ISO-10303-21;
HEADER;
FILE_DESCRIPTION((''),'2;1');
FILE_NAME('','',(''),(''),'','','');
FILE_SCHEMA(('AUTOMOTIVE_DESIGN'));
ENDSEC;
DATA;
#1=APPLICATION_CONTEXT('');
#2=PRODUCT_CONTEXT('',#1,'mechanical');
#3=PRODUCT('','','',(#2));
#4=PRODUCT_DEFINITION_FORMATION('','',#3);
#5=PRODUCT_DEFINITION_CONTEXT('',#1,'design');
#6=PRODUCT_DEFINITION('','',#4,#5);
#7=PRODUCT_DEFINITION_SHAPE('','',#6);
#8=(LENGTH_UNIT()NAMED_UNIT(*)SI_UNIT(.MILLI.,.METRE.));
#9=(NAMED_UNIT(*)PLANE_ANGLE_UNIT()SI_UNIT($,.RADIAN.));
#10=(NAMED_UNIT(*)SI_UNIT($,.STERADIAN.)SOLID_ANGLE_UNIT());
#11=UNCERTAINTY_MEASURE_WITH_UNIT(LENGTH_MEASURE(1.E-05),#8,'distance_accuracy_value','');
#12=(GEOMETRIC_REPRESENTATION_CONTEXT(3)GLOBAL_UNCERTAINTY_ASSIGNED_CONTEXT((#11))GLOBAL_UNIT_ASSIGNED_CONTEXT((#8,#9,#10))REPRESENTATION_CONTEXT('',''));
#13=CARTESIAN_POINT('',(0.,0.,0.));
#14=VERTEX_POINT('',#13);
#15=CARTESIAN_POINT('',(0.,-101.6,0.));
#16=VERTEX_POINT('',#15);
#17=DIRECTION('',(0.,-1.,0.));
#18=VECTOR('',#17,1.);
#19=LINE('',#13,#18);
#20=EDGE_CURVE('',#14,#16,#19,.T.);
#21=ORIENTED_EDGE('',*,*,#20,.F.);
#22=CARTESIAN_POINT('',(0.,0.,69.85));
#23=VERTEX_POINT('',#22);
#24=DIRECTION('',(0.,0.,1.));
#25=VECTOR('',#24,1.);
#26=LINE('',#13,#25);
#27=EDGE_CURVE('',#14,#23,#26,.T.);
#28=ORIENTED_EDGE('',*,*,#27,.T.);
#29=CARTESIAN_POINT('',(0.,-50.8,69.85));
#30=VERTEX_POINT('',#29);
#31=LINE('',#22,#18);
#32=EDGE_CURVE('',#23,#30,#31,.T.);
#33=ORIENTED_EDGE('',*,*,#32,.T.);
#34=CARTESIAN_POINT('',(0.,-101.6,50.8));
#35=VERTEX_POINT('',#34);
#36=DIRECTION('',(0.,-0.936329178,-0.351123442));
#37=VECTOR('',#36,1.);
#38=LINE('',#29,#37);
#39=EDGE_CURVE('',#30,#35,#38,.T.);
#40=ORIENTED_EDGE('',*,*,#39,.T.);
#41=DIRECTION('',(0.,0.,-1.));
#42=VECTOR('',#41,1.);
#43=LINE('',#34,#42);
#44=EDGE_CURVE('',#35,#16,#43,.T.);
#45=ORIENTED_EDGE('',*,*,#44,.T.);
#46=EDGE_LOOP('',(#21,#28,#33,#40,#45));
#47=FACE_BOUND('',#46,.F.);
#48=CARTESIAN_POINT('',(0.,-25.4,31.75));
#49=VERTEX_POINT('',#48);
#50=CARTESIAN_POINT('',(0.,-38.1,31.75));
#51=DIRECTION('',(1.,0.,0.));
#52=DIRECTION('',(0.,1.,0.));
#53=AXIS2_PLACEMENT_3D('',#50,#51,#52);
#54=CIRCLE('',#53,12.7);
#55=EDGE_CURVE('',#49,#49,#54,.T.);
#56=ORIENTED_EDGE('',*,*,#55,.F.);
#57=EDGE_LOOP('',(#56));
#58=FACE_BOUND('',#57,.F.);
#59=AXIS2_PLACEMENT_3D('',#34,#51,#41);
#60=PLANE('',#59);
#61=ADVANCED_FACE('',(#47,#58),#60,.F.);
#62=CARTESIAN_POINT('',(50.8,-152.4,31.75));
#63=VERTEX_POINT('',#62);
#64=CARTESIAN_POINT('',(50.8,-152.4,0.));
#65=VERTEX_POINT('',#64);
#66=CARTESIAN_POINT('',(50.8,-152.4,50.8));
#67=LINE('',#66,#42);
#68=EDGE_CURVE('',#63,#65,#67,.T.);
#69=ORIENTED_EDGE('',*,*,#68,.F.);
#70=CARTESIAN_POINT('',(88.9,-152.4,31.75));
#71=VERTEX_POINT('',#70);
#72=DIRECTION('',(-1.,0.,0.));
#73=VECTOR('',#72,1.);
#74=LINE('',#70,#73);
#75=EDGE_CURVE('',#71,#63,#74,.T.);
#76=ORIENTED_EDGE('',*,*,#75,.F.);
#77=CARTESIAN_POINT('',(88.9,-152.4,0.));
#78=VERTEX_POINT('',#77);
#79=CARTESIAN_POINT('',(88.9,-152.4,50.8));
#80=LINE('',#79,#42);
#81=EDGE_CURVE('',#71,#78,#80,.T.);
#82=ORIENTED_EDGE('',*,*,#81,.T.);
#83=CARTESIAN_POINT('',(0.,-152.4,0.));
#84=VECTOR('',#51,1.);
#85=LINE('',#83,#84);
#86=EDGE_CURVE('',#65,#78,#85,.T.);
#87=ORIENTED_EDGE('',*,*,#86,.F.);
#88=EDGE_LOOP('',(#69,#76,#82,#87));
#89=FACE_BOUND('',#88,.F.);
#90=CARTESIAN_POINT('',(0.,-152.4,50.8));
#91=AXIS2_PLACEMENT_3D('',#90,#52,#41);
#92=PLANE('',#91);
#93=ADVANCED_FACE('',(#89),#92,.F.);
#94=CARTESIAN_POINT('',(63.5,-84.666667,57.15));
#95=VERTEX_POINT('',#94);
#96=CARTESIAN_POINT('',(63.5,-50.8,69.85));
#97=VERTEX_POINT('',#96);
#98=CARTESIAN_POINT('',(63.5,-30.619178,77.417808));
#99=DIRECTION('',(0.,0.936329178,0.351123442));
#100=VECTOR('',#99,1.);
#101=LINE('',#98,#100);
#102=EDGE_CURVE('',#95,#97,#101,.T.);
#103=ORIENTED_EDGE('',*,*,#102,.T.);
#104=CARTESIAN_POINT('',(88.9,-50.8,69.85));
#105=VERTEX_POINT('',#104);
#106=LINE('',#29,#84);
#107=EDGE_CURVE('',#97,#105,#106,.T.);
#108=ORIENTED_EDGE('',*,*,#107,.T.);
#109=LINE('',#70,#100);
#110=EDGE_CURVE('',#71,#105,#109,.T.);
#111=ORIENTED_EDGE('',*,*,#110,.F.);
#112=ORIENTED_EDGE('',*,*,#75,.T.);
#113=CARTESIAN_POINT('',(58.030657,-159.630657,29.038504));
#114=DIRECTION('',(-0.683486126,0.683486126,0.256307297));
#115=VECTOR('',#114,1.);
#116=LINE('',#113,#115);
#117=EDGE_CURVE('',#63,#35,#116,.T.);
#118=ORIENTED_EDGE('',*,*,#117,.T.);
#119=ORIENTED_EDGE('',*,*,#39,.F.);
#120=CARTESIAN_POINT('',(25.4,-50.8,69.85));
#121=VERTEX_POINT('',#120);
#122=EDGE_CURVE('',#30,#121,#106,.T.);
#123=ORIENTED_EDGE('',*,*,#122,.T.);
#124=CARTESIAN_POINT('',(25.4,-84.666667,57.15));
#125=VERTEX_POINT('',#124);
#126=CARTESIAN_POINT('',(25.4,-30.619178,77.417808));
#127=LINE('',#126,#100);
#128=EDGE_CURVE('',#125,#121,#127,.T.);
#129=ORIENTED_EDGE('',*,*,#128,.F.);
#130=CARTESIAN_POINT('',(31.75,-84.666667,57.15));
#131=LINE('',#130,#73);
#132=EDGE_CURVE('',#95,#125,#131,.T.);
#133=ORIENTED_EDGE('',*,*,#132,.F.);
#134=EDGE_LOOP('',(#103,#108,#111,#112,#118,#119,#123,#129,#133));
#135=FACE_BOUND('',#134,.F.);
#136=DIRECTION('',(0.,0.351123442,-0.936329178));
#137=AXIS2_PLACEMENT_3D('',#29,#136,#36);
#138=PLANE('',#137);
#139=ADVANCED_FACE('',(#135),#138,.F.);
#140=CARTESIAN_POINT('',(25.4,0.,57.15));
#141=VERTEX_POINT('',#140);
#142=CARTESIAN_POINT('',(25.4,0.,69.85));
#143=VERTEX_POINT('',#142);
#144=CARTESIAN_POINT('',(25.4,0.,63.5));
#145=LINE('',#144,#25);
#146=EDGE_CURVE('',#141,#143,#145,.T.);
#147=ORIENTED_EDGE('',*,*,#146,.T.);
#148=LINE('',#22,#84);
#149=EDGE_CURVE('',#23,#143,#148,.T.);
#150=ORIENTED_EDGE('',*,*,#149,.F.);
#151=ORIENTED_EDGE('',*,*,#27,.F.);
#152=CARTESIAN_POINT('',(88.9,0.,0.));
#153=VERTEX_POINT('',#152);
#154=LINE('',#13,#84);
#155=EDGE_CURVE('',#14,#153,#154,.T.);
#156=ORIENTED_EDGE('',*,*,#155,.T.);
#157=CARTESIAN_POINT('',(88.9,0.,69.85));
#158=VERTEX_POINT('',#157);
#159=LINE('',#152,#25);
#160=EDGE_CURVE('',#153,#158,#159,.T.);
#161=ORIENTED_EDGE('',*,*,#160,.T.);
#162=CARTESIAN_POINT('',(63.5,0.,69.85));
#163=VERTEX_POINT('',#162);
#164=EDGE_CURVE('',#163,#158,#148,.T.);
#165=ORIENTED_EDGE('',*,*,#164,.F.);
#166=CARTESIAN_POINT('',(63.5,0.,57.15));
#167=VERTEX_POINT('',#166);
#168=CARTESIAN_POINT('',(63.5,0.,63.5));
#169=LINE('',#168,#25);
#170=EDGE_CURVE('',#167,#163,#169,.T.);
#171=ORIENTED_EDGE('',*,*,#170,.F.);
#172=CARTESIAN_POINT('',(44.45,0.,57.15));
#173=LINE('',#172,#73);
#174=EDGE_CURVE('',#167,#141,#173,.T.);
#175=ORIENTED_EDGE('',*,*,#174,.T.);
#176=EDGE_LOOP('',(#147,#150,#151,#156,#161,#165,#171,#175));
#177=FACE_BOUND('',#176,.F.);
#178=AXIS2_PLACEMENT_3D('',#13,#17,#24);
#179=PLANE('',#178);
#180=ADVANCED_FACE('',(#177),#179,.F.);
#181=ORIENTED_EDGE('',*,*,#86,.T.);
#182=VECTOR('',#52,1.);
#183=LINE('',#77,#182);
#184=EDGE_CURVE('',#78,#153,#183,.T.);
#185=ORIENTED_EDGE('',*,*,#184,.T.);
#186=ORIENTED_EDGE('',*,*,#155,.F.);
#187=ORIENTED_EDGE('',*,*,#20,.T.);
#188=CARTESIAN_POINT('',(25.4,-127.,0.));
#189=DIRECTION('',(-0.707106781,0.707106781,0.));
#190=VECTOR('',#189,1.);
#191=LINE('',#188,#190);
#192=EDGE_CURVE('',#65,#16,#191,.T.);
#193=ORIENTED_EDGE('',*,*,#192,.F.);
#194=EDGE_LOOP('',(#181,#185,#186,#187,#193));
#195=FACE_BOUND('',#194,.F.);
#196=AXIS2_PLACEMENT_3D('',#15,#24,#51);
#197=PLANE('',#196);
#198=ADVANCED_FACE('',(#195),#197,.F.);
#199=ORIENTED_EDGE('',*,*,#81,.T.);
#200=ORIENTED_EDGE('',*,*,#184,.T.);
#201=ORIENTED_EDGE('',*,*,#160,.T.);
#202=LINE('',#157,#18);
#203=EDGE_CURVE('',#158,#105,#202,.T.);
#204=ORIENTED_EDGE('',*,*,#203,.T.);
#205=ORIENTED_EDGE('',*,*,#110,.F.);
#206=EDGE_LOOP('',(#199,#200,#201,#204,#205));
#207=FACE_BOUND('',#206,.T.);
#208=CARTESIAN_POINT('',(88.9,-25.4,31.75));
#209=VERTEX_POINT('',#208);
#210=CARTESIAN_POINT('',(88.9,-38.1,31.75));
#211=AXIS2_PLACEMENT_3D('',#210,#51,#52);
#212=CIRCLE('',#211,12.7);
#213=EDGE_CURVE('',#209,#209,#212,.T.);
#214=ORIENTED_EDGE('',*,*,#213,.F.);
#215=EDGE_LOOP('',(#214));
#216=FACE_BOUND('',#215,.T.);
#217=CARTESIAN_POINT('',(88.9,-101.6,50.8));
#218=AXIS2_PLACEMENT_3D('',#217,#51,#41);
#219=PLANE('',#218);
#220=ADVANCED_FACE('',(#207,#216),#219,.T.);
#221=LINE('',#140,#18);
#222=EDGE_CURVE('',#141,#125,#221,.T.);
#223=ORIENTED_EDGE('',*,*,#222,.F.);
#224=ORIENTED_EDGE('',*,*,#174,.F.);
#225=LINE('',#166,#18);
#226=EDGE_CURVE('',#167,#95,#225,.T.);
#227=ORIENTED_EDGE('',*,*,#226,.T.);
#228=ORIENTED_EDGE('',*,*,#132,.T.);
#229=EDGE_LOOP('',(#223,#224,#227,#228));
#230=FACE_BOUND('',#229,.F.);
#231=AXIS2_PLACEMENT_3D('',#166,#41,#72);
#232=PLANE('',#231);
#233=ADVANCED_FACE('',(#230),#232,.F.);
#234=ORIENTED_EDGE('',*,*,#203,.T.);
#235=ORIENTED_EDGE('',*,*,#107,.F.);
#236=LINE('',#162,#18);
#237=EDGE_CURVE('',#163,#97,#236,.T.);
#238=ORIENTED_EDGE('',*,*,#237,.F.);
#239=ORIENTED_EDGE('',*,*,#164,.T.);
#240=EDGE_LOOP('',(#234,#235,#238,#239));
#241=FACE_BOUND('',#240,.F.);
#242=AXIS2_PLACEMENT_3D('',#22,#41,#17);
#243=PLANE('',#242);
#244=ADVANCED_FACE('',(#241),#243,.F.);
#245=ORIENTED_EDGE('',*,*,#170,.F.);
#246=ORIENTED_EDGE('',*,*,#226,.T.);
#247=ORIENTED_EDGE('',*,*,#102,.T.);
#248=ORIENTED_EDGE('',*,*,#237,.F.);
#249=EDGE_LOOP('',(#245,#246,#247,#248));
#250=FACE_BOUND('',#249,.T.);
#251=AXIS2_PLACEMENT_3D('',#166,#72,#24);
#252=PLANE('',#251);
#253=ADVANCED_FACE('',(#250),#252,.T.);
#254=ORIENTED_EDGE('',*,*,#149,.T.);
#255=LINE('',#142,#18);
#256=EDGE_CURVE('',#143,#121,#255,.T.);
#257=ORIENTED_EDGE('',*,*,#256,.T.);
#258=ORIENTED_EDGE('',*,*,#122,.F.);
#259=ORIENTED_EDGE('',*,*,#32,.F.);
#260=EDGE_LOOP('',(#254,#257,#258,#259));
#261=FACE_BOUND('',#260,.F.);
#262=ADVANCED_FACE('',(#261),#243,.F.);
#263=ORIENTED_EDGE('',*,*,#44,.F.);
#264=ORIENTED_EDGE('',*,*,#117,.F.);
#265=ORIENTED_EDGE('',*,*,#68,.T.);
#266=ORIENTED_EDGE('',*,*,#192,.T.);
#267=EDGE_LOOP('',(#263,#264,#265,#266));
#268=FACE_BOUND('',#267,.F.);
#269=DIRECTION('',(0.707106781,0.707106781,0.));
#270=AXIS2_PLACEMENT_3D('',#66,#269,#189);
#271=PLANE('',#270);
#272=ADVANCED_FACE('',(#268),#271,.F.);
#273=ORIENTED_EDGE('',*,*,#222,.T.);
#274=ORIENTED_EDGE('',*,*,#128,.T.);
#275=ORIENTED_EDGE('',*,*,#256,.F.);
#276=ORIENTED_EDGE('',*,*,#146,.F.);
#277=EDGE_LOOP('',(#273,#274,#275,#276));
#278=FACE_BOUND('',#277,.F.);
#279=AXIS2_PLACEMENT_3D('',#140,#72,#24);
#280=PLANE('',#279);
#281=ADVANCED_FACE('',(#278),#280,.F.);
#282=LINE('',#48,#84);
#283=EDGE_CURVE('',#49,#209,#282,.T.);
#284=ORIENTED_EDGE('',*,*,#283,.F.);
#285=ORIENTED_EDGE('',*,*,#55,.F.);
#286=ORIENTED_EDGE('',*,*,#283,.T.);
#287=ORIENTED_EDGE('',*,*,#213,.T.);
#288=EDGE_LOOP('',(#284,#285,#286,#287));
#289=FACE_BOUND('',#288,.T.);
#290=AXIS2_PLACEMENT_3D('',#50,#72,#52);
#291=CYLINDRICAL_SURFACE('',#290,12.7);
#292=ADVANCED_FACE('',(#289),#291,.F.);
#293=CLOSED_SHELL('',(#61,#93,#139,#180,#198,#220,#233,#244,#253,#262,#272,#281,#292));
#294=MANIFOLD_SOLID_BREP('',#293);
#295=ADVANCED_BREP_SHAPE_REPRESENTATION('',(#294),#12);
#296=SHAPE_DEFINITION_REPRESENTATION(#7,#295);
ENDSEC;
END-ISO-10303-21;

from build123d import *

# Parameters (mm, degrees)
F0_R     = 12.7
F1_DEPTH = 88.9
F2_W     = 38.1
F2_H     = 12.7
F3_DEPTH = 101.6
F4_DEPTH = 50.8
F6_DEPTH = 50.801
F8_DEPTH = 88.901


with BuildPart() as f1:
    # F0 (on Right) → F1 (new body)
    with BuildSketch(Plane.YZ):
        Polygon((-101.6, 0), (0, 0), (0, 69.85), (-50.8, 69.85), (-101.6, 50.8), align=None)
        with Locations((-38.1, 31.75)):
            Circle(F0_R, mode=Mode.SUBTRACT)
    extrude(amount=F1_DEPTH)

    # F2 (on face) → F3 (cut)
    with BuildSketch(Plane(origin=(0, 0, 0), x_dir=(-1, 0, 0), z_dir=(0, 1, 0))):
        with Locations((-44.45, 63.5)):
            Rectangle(F2_W, F2_H)
    extrude(amount=-F3_DEPTH, mode=Mode.SUBTRACT)

    # F4 (add): a face of the model
    f4_faces = [f1.faces().sort_by_distance(p)[0] for p in [
        (44.45, -101.6, 25.4),
    ]]
    extrude(f4_faces, amount=F4_DEPTH)

    # F5 (on face) → F6 (cut, through all)
    with BuildSketch(Plane.XY.offset(50.8)):
        Polygon((0, -152.4), (50.8, -152.4), (0, -101.6), align=None)
    extrude(amount=-F6_DEPTH, mode=Mode.SUBTRACT)

    # F7 (on face) → F8 (cut, through all)
    with BuildSketch(Plane.YZ.offset(88.9)):
        Polygon((-152.4, 31.75), (-101.6, 50.8), (-152.4, 50.8), align=None)
    extrude(amount=-F8_DEPTH, mode=Mode.SUBTRACT)


solid = f1.part
